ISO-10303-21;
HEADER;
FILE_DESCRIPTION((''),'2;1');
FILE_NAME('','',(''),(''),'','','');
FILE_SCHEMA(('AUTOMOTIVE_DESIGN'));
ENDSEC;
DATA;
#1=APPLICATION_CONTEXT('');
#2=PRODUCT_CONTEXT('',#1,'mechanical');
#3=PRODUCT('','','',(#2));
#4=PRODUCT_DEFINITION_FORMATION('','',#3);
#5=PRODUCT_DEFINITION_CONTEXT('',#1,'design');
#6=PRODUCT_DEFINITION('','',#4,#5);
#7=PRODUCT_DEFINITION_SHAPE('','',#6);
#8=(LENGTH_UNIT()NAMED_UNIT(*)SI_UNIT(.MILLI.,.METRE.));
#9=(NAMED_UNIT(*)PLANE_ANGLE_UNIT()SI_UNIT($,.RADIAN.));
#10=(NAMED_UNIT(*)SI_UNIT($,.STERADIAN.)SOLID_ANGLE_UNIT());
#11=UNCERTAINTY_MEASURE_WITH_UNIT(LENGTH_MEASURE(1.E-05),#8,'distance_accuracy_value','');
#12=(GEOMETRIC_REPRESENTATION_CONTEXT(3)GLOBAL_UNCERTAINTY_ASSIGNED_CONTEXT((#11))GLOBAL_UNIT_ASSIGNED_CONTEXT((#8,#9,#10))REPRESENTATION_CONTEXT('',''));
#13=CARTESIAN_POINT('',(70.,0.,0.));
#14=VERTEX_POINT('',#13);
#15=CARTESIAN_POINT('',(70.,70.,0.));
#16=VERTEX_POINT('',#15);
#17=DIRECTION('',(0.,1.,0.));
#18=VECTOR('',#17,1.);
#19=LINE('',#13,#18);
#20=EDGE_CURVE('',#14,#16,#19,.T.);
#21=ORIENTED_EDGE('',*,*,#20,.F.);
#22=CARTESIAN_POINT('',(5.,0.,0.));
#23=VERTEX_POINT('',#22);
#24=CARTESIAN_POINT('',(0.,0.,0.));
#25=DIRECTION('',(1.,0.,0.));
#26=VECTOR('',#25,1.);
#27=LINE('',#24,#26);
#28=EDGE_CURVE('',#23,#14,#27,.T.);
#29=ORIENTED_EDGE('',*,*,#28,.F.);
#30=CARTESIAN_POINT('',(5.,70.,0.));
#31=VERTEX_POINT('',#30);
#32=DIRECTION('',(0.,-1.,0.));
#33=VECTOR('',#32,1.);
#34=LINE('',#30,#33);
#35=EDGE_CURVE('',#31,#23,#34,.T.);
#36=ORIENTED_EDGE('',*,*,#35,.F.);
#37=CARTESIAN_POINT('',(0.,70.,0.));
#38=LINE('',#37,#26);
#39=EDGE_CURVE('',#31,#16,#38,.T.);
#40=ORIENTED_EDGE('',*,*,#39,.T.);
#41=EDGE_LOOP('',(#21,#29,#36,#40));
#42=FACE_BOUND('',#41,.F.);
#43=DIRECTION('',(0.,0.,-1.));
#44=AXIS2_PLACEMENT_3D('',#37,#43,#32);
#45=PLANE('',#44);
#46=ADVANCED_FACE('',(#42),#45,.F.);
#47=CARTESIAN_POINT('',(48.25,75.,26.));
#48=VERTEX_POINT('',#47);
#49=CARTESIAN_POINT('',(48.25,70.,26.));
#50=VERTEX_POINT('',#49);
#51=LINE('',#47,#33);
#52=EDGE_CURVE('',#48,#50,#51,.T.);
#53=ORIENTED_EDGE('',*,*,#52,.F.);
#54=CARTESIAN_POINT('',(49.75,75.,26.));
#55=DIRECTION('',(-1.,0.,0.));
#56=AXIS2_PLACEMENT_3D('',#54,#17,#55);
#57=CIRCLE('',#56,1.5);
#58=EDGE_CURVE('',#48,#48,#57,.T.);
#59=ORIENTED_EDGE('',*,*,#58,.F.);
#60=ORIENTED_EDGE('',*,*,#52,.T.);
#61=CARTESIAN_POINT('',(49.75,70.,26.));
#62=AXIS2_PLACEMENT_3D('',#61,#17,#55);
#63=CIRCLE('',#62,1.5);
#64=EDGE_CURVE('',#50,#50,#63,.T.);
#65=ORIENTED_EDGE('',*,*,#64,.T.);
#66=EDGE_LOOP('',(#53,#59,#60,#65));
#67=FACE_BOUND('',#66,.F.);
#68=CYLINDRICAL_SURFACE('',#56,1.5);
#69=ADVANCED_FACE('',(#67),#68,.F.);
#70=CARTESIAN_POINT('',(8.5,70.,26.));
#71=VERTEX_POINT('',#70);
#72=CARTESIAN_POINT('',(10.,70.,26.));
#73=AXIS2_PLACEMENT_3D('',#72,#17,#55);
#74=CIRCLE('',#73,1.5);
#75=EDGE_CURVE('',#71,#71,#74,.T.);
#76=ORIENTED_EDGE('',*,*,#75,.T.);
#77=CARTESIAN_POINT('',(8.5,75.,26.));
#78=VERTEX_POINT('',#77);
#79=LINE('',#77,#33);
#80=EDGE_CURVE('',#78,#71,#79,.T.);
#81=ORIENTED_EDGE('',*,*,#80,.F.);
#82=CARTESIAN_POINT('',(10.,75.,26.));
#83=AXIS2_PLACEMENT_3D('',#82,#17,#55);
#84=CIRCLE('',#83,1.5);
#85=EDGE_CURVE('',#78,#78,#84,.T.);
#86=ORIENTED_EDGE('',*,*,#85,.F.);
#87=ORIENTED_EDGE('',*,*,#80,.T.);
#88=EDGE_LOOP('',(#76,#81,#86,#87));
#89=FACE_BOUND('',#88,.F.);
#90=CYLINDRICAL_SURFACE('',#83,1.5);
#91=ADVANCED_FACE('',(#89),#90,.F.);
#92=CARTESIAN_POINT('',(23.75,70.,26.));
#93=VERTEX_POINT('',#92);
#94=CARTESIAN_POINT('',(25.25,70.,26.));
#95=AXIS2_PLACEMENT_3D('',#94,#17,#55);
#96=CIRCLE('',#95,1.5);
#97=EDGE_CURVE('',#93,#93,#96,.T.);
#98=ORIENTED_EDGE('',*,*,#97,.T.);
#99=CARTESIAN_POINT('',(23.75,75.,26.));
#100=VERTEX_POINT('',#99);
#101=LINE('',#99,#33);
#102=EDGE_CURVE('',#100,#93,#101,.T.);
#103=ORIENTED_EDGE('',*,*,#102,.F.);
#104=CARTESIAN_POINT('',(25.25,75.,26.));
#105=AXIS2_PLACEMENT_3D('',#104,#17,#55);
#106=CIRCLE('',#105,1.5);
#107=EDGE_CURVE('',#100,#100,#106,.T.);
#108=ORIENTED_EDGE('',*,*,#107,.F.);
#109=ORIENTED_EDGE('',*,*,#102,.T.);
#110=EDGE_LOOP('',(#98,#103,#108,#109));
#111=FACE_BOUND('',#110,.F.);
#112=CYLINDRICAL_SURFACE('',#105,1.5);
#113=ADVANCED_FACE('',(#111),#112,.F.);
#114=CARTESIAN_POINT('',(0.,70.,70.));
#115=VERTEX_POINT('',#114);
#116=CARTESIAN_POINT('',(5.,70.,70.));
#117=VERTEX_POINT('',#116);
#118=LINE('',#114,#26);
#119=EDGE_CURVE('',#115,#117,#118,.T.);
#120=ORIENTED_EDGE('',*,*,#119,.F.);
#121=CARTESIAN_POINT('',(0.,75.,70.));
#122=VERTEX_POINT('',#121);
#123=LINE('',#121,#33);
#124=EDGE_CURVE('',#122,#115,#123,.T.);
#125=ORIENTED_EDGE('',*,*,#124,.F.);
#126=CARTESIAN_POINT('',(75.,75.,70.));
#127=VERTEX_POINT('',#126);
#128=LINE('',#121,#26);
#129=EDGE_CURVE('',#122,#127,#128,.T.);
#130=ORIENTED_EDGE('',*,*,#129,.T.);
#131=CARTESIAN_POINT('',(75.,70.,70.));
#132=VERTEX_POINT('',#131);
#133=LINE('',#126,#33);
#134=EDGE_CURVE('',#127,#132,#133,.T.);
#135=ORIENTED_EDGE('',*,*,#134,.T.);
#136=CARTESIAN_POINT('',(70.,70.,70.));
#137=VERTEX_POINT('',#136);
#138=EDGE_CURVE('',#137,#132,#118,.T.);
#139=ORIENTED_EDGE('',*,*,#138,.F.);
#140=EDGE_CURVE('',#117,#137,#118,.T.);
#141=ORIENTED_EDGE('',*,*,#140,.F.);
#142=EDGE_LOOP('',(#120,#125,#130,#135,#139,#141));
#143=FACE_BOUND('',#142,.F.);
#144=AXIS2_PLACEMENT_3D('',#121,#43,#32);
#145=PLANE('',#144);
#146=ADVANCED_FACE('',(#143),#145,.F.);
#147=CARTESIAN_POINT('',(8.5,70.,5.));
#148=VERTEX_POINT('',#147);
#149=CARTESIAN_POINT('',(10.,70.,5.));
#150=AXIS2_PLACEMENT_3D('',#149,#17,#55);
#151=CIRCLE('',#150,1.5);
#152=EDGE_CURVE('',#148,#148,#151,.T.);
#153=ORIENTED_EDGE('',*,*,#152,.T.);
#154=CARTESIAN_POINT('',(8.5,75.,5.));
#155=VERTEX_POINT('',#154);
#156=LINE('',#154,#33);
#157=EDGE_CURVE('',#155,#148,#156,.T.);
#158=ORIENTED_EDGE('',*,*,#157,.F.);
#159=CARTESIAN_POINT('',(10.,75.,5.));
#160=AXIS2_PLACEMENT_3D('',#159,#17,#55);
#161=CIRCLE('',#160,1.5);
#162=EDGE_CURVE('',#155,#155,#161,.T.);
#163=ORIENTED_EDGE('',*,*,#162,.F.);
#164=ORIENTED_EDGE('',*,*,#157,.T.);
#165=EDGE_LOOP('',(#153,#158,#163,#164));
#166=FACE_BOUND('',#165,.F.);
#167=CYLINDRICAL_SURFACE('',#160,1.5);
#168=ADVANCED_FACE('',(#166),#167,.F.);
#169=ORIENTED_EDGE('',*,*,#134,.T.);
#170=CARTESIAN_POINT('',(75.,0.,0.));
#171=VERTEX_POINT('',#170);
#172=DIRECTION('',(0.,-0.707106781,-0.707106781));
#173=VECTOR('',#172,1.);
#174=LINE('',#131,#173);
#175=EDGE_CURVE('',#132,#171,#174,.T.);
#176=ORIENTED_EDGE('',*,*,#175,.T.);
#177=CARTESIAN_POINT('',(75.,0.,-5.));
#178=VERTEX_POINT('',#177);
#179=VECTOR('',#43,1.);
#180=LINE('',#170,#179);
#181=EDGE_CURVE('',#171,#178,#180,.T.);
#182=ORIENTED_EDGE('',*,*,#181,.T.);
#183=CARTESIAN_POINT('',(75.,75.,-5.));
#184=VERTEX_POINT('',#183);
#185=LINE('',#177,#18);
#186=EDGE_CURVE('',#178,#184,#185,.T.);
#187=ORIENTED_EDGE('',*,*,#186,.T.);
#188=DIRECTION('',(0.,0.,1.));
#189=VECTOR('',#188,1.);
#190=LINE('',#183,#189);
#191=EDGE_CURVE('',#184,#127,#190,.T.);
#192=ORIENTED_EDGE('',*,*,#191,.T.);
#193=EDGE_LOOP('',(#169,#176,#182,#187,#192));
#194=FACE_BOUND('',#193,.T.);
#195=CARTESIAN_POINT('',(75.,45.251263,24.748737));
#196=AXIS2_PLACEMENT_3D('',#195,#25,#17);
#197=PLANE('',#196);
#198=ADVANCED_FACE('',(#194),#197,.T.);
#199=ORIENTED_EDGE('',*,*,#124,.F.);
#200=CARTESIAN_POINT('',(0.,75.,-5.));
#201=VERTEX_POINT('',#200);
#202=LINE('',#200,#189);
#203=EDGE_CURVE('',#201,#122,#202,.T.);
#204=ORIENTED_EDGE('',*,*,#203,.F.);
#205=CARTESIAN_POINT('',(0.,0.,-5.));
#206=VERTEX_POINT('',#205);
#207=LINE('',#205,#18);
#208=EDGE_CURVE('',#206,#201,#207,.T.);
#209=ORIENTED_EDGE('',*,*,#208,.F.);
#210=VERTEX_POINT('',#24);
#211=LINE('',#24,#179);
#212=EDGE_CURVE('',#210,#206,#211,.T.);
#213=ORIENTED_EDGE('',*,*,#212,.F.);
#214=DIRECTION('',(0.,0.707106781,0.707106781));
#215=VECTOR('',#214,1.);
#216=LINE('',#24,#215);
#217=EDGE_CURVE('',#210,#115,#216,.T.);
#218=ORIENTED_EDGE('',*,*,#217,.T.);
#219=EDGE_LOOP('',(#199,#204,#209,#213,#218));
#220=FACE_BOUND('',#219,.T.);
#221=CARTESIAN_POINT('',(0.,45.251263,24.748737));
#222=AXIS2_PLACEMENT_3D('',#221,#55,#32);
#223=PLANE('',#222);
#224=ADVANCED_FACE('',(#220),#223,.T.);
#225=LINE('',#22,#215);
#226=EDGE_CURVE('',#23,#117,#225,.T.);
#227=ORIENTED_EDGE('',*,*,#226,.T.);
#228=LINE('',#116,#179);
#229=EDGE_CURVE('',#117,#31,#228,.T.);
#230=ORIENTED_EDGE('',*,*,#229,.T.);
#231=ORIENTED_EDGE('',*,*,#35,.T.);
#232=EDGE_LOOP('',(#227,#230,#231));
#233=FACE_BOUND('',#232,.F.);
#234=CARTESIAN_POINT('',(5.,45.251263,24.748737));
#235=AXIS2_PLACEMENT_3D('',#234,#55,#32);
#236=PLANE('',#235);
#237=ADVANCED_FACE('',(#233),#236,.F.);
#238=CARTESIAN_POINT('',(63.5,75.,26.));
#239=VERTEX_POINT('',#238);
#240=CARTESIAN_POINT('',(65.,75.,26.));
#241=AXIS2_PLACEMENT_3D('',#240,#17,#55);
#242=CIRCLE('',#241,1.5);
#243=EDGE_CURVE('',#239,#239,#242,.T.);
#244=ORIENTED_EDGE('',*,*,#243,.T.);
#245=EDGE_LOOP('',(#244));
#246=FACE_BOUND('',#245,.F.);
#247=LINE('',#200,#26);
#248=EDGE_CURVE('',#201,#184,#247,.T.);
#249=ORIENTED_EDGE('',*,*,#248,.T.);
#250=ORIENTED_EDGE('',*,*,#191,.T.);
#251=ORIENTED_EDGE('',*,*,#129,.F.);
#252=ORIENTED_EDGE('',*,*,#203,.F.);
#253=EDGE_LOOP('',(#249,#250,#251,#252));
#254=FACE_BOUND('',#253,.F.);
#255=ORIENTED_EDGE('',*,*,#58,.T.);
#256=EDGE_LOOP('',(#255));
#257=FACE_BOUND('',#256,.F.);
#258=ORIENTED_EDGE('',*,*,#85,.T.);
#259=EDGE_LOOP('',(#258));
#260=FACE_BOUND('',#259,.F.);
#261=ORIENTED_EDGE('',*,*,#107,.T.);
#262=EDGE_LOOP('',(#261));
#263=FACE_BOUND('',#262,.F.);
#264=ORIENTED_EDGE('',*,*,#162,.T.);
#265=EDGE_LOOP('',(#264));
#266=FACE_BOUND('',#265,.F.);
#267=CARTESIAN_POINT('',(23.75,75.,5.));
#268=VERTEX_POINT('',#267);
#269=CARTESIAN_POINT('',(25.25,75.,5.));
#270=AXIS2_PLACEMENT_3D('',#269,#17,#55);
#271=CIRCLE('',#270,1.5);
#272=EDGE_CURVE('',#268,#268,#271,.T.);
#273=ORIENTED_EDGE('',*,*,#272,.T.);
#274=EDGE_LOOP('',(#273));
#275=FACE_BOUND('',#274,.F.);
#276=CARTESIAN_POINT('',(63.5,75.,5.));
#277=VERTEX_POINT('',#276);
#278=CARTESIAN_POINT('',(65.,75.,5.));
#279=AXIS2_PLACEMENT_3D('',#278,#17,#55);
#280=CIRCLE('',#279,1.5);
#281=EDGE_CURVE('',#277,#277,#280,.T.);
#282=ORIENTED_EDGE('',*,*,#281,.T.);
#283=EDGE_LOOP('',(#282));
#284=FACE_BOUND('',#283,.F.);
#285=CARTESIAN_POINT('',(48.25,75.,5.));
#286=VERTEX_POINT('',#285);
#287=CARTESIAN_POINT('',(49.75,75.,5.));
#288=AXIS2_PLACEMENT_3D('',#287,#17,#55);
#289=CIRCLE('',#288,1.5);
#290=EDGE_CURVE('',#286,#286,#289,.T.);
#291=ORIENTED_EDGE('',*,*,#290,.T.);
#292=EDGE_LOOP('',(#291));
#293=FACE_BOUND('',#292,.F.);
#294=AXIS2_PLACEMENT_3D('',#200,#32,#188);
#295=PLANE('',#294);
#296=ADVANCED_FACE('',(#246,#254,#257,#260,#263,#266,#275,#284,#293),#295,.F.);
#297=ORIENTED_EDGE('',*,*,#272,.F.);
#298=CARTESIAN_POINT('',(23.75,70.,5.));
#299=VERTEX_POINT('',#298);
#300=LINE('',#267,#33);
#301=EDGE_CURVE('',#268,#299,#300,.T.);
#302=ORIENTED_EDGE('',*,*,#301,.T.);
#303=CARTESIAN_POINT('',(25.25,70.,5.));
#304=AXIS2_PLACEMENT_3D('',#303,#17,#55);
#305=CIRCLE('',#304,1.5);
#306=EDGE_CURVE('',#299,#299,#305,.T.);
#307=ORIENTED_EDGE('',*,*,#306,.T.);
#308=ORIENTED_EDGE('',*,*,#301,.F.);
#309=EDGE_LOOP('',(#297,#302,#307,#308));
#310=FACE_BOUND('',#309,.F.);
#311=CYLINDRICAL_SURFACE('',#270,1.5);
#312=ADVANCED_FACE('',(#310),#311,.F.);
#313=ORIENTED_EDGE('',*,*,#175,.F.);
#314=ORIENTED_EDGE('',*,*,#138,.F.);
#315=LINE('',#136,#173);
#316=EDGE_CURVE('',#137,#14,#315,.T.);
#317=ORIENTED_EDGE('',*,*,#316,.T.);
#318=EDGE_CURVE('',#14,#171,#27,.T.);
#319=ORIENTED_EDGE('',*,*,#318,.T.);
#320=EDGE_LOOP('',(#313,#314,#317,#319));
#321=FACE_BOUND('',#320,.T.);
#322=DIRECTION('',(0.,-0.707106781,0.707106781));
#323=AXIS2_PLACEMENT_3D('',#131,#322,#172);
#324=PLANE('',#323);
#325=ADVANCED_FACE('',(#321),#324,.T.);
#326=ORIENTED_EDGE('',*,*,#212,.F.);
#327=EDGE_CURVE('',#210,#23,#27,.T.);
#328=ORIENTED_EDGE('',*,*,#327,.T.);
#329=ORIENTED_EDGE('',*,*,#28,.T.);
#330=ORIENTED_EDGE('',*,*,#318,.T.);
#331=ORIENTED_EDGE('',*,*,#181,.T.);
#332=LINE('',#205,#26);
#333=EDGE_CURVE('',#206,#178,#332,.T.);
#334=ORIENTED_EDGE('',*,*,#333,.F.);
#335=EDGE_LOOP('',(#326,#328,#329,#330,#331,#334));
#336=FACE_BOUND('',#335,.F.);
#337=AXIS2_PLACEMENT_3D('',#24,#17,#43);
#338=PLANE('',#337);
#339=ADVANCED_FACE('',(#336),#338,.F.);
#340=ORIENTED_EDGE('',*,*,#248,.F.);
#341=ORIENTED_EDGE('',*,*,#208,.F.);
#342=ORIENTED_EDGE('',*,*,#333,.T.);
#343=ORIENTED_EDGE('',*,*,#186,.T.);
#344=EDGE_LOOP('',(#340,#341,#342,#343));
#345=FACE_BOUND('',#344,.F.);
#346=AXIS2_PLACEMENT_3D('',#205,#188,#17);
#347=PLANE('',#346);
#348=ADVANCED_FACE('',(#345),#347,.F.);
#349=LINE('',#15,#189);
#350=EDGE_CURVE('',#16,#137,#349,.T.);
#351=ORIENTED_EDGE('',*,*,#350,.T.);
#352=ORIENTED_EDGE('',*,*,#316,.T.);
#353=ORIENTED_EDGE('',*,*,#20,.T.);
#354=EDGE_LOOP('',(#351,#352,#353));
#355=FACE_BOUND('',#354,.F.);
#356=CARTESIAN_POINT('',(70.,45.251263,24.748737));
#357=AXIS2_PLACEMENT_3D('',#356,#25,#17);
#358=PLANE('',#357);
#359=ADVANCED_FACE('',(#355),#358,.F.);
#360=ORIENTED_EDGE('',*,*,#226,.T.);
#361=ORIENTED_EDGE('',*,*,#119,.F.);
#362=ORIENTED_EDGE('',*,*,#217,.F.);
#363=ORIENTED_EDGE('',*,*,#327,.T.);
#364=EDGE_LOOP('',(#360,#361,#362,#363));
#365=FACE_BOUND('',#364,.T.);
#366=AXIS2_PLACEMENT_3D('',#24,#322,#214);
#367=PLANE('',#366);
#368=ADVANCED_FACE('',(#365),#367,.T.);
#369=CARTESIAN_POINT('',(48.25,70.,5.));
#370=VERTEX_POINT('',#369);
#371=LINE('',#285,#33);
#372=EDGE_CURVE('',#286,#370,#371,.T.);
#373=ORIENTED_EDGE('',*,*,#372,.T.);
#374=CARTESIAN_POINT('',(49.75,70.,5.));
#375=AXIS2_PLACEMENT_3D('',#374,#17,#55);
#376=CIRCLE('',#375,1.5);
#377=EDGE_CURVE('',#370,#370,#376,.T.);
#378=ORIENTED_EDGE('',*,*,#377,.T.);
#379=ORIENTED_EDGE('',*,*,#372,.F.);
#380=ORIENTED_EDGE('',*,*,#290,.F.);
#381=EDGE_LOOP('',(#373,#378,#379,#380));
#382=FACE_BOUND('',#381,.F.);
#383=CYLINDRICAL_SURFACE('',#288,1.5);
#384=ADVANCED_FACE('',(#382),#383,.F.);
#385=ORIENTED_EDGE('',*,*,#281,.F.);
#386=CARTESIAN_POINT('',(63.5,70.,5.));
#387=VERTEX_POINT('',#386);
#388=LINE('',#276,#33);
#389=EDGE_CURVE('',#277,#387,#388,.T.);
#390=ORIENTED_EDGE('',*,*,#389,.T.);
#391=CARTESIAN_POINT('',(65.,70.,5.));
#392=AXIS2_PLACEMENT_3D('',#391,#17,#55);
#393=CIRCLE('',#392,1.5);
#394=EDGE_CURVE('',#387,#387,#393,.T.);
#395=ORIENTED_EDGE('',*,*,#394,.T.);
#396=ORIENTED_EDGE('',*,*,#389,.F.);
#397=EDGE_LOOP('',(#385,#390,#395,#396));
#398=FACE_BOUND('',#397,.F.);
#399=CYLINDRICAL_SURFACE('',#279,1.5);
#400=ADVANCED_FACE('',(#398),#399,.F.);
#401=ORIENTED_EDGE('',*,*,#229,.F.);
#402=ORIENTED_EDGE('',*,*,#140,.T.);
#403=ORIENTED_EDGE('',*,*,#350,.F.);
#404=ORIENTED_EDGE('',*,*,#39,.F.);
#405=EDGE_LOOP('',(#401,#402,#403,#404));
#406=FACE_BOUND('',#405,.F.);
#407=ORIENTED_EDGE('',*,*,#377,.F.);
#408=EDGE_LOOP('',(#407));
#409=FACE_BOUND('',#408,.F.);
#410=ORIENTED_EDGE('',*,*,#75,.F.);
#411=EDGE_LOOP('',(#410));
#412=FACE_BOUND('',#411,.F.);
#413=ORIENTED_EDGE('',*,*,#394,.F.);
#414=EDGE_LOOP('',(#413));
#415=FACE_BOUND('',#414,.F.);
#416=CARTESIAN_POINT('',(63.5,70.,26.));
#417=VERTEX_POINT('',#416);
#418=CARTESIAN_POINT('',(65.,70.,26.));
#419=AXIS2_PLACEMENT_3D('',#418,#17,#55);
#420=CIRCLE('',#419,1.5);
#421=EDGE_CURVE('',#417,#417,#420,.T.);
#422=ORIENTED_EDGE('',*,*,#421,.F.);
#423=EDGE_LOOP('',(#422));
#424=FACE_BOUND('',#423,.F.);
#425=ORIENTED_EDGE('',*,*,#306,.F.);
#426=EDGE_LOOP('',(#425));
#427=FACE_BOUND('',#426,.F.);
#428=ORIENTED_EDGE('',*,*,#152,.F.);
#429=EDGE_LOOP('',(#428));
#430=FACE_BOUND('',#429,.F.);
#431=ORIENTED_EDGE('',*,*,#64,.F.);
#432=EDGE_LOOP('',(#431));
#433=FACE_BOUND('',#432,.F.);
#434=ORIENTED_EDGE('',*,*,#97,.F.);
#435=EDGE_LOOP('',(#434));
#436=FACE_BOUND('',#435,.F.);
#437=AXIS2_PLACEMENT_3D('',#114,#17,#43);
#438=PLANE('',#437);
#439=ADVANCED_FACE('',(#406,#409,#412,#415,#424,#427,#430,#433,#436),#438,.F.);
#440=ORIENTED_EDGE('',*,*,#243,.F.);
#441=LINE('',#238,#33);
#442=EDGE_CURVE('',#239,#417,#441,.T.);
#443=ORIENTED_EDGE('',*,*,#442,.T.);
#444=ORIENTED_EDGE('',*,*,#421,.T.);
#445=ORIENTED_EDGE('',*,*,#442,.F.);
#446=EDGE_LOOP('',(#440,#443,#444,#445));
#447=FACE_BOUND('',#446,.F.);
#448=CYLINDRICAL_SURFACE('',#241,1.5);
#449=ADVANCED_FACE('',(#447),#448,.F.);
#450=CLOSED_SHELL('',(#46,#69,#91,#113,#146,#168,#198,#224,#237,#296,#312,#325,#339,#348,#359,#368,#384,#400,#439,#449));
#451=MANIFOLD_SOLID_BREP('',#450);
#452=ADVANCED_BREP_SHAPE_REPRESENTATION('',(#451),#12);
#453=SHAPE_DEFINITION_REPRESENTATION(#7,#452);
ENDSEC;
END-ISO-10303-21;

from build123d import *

# Parameters (mm, degrees)
F1_DEPTH = 75
F3_DEPTH = 5
F5_DEPTH = 5
F6_R     = 1.5
F7_DEPTH = 5


with BuildPart() as f1:
    # F0 (on Right) → F1 (new body)
    with BuildSketch(Plane.YZ):
        Polygon((70, 0), (0, 0), (0, -5), (75, -5), (75, 70), (70, 70), align=None)
    extrude(amount=F1_DEPTH)

    # F2 (on face) → F3 (join)
    with BuildSketch(Plane.YZ.offset(75)):
        Polygon((70, 0), (70, 70), (0, 0), align=None)
    extrude(amount=-F3_DEPTH)

    # F4 (on face) → F5 (join)
    with BuildSketch(Plane(origin=(0, 0, 0), x_dir=(0, -1, 0), z_dir=(-1, 0, 0))):
        Polygon((-70, 70), (-70, 0), (0, 0), align=None)
    extrude(amount=-F5_DEPTH)

    # F6 (on face) → F7 (cut, through all)
    with BuildSketch(Plane(origin=(0, 75, 0), x_dir=(-1, 0, 0), z_dir=(0, 1, 0))):
        with Locations((-65, 26)):
            Circle(F6_R)
        with Locations((-49.75, 26)):
            Circle(F6_R)
        with Locations((-49.75, 5)):
            Circle(F6_R)
        with Locations((-65, 5)):
            Circle(F6_R)
        with Locations((-10, 5)):
            Circle(F6_R)
        with Locations((-25.25, 5)):
            Circle(F6_R)
        with Locations((-25.25, 26)):
            Circle(F6_R)
        with Locations((-10, 26)):
            Circle(F6_R)
    extrude(amount=-F7_DEPTH, mode=Mode.SUBTRACT)


solid = f1.part
